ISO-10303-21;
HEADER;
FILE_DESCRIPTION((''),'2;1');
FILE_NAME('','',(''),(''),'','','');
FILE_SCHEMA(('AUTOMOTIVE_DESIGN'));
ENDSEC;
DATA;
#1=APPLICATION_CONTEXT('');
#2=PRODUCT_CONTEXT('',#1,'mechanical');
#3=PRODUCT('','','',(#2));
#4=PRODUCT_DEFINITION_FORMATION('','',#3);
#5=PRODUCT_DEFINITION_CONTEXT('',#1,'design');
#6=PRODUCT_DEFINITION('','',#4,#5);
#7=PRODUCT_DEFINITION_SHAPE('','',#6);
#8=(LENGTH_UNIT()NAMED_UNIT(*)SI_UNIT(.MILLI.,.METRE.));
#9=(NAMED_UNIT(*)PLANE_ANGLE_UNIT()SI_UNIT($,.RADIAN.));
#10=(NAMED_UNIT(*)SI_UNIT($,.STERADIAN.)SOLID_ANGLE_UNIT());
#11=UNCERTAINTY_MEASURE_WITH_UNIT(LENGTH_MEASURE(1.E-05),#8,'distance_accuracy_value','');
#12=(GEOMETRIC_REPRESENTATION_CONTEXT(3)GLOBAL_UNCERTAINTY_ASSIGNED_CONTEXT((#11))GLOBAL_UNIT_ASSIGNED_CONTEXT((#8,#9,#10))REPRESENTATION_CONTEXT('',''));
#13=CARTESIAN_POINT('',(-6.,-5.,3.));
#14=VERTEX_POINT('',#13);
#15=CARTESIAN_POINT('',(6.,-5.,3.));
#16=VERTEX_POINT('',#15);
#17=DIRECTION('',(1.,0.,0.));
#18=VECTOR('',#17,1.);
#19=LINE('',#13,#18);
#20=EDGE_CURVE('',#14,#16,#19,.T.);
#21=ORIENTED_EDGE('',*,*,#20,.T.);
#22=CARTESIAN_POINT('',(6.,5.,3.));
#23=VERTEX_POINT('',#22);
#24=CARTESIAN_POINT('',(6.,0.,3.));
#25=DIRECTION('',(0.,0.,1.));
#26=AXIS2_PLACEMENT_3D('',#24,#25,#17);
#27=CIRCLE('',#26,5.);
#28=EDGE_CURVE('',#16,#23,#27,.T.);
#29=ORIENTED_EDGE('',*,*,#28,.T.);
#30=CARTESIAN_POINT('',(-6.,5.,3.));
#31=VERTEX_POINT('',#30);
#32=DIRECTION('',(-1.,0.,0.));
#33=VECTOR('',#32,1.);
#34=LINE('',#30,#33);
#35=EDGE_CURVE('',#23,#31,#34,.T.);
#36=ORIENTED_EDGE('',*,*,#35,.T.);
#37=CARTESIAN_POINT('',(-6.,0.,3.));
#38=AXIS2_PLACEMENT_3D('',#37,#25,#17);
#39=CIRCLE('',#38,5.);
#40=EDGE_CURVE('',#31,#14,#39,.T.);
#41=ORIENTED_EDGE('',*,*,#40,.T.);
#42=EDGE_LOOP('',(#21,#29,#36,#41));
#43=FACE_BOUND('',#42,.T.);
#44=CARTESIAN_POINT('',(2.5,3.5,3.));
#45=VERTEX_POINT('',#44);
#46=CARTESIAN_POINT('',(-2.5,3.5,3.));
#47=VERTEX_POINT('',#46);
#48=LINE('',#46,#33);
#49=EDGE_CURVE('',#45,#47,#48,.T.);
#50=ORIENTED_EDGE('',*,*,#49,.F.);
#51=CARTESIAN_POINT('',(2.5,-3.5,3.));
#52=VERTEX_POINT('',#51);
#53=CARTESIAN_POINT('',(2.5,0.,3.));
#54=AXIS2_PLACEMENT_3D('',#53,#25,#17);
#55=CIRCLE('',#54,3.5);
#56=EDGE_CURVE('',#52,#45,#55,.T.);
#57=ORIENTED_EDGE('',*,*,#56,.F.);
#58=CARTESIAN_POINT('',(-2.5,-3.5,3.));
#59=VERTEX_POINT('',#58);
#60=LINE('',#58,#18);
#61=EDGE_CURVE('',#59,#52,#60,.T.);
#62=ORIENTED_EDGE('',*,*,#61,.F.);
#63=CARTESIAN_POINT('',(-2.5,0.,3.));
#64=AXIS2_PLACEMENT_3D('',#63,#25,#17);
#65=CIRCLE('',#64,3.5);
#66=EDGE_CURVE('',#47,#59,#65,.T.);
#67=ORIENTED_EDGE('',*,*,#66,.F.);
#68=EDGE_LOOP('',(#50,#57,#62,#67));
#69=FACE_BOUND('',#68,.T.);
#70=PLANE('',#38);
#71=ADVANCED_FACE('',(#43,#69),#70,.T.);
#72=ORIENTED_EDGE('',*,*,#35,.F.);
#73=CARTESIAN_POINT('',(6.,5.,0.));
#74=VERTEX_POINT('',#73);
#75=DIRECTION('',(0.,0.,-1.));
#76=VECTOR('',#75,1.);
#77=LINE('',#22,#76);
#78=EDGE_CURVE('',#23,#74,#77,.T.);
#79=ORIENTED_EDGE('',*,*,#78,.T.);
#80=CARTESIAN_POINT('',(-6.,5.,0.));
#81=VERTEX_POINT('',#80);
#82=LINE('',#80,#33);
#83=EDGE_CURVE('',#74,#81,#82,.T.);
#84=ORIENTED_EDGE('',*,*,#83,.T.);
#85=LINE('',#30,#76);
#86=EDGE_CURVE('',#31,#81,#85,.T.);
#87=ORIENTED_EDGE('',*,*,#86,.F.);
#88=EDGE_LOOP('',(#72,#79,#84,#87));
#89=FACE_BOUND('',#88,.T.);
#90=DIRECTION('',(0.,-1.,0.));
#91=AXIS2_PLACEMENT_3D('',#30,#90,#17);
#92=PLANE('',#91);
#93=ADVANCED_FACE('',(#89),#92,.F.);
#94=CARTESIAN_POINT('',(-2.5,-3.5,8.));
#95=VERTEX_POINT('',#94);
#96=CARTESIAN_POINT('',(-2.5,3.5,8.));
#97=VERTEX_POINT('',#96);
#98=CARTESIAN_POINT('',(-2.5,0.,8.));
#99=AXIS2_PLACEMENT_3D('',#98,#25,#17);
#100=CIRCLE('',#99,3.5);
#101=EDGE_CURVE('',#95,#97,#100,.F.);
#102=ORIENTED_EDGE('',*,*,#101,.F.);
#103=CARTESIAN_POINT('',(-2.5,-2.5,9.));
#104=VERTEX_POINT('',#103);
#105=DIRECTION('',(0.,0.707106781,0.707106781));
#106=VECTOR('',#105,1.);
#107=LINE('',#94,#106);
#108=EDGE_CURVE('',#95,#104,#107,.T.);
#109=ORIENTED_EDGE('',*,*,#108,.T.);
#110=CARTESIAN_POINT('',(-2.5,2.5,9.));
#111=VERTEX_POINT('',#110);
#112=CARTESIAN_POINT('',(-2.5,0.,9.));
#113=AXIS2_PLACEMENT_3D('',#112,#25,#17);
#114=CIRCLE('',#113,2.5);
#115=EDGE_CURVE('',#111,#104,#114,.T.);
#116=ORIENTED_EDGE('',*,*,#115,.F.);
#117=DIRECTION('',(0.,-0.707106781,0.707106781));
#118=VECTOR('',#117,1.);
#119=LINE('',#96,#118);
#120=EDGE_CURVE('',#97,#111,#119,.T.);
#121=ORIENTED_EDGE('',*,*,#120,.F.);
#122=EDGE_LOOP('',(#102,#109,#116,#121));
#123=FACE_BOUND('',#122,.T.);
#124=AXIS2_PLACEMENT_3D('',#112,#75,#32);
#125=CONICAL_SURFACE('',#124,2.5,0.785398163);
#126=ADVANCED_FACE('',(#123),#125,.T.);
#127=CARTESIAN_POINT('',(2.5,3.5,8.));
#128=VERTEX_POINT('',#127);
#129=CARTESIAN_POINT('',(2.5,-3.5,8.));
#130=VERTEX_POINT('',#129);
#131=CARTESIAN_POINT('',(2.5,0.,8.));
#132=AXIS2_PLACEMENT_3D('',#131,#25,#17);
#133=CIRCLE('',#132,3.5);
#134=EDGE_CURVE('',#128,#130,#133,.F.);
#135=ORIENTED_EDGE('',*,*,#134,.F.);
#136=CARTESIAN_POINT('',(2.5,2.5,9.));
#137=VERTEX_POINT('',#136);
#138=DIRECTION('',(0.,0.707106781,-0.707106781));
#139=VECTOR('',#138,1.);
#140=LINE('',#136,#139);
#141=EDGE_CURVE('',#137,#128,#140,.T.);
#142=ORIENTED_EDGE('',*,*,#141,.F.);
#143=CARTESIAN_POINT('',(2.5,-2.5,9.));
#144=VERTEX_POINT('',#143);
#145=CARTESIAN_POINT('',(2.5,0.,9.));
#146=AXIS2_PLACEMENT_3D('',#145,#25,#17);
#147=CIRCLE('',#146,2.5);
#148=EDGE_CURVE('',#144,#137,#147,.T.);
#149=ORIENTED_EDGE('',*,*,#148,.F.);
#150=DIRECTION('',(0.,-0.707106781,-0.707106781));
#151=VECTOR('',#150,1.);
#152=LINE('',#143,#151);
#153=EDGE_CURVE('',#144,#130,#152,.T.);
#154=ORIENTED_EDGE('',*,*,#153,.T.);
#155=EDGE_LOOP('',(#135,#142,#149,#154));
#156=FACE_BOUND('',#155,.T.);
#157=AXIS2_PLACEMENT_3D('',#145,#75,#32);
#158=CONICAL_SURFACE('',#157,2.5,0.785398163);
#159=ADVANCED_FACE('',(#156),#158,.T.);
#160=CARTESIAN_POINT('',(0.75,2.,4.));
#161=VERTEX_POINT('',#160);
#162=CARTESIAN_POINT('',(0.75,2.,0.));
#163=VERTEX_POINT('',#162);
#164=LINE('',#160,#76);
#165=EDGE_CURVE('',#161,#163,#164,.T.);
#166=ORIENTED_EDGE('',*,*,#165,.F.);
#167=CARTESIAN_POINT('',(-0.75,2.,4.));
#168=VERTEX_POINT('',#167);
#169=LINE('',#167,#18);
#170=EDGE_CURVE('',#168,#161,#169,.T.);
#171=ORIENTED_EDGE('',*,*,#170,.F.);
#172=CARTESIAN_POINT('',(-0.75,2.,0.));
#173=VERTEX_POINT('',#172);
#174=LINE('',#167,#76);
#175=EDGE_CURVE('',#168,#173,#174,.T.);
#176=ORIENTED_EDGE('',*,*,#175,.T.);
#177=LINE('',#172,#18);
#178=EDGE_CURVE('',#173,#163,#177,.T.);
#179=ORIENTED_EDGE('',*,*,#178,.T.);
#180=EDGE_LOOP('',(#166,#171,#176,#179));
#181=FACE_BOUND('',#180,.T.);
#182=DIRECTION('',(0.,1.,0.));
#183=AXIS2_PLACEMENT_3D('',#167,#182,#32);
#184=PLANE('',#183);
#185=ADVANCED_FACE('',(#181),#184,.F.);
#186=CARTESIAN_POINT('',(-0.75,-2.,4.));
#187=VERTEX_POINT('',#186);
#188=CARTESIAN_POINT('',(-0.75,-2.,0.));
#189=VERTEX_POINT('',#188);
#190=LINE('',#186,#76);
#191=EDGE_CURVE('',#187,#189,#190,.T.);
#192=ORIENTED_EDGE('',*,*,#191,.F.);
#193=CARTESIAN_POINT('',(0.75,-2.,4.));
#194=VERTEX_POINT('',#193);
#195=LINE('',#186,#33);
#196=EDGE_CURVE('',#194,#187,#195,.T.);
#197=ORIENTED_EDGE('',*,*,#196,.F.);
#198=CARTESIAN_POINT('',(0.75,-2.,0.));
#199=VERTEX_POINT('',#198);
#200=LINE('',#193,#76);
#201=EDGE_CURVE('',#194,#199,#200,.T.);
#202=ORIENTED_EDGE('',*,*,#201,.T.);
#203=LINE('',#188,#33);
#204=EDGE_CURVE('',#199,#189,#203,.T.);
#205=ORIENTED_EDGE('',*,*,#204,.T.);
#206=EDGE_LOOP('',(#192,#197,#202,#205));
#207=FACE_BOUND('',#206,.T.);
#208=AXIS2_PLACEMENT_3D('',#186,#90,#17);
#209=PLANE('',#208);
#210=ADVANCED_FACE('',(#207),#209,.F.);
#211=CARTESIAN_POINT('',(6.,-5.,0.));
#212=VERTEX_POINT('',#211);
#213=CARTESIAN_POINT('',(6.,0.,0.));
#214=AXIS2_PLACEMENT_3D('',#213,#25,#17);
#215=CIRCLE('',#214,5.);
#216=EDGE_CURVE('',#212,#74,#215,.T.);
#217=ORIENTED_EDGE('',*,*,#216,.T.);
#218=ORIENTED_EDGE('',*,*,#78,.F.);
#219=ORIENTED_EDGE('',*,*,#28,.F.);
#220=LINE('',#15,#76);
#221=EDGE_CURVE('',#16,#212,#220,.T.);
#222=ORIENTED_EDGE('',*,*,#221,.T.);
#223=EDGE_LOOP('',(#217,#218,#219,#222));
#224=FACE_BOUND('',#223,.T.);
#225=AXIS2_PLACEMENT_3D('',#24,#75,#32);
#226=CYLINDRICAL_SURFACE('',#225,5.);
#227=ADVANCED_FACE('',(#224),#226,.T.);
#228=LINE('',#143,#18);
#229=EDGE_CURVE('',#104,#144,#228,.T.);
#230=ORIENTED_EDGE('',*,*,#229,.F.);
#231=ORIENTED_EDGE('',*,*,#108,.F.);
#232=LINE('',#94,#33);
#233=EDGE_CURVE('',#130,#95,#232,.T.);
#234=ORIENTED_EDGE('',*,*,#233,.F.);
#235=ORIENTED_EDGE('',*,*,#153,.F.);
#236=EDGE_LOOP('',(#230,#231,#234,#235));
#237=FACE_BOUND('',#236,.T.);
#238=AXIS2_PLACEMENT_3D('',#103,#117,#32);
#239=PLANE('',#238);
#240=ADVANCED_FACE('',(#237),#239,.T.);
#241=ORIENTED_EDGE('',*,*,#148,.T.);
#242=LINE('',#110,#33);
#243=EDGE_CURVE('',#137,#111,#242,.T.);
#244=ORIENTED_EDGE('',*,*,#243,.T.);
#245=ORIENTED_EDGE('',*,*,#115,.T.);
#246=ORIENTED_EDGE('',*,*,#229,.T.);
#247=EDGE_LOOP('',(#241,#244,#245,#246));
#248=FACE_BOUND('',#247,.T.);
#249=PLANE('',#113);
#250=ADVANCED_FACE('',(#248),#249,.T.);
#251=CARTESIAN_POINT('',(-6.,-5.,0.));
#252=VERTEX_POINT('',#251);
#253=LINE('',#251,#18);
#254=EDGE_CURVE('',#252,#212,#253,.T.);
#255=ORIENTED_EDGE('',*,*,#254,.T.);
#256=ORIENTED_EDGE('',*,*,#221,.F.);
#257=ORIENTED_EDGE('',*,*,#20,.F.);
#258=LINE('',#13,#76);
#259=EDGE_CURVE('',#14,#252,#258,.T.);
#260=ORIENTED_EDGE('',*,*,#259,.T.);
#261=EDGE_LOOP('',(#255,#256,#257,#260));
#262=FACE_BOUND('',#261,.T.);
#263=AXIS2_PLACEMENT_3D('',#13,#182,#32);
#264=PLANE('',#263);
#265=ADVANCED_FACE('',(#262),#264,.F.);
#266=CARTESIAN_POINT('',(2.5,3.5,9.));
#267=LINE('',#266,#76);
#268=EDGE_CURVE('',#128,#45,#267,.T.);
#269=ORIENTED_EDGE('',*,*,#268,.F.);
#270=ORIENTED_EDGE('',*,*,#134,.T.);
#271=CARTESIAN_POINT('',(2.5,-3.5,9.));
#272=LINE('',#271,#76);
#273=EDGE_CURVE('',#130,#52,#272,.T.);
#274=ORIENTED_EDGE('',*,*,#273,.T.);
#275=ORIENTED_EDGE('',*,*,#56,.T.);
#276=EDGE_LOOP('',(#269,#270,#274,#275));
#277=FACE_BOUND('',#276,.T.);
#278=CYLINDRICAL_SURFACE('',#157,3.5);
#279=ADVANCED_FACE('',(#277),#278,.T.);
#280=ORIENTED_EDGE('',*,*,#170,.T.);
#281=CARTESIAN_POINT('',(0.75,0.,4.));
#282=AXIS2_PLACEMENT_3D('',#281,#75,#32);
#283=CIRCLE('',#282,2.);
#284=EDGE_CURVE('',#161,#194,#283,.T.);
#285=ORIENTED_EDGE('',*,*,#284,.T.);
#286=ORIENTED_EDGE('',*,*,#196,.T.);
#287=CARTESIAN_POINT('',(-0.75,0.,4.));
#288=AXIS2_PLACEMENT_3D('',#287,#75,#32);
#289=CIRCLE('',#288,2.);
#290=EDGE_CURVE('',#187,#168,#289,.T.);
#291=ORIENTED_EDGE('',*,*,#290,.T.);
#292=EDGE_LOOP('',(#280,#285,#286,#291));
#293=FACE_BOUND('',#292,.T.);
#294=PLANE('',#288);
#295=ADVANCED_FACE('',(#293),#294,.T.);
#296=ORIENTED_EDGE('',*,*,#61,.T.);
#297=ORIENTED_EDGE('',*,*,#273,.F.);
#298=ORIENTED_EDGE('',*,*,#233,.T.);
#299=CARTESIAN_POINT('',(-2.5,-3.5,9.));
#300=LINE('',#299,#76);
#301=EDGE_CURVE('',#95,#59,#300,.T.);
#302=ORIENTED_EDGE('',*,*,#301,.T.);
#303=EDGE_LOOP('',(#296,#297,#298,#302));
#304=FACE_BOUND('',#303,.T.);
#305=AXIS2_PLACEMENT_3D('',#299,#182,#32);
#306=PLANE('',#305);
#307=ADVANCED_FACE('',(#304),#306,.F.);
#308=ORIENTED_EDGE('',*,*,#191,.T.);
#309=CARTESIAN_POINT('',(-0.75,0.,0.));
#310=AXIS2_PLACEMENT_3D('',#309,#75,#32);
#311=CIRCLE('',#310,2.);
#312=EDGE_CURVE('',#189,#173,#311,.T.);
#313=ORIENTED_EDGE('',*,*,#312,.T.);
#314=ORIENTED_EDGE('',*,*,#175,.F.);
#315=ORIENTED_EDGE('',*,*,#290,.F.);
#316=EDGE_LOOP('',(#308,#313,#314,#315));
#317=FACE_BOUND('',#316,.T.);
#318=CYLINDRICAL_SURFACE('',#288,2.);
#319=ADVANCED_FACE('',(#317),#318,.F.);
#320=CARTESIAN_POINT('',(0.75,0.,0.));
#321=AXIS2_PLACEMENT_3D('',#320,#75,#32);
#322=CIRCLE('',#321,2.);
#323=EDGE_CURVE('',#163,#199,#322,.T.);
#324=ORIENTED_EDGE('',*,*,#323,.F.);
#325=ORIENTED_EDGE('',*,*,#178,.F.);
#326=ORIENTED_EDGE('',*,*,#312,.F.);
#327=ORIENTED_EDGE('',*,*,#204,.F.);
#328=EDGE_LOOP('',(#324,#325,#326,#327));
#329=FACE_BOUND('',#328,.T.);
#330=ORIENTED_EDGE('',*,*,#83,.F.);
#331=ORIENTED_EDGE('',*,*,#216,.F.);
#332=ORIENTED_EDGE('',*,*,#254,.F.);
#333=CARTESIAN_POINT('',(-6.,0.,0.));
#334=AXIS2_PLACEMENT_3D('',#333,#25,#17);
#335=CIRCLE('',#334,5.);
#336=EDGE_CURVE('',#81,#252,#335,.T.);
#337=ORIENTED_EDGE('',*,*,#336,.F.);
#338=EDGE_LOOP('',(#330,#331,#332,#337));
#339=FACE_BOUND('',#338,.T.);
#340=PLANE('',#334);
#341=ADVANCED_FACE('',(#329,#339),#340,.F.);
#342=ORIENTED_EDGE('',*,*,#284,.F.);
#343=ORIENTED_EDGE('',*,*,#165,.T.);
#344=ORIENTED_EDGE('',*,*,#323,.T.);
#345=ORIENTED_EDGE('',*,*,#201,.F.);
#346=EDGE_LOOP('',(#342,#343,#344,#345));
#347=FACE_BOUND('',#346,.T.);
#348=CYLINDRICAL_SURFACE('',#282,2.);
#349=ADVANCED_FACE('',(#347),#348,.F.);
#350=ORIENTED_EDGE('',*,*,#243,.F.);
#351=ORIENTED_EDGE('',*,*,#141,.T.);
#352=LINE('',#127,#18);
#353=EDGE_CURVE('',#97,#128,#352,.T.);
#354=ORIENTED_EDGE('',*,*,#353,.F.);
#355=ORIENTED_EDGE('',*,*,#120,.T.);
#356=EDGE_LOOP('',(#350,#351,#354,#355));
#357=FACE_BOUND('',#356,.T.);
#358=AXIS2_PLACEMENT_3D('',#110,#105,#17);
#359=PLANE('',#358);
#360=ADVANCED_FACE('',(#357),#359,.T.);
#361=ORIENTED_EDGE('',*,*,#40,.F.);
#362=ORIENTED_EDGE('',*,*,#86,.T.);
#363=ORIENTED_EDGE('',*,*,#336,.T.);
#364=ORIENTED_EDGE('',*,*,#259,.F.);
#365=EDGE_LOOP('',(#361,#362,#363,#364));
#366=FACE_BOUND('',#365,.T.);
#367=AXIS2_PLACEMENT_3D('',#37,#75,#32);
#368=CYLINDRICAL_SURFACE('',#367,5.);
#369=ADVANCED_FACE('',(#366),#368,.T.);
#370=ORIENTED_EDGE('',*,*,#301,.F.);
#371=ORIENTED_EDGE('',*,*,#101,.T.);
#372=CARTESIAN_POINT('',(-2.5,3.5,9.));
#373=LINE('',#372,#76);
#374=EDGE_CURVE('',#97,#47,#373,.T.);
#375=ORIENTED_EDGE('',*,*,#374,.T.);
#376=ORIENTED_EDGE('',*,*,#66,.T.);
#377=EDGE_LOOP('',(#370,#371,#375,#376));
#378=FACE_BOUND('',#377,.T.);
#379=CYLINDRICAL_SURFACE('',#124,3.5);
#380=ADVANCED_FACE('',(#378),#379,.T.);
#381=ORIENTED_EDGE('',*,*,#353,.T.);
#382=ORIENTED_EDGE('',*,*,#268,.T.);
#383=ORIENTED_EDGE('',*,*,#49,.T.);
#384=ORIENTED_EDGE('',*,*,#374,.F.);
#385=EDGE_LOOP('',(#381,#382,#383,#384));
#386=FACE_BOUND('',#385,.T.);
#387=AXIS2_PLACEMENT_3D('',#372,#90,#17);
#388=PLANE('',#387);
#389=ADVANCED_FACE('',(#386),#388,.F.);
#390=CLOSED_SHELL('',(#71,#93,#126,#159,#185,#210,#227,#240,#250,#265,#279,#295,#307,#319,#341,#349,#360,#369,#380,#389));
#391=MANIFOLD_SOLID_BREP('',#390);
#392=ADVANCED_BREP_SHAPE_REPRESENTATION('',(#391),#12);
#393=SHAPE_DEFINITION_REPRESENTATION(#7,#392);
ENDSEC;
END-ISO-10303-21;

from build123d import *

# Parameters (mm, degrees)
EXTRUDE_1_DEPTH     = 3
EXTRUDE_2_DEPTH     = 6
CUT_EXTRUDE_1_DEPTH = 4
CHAMFER_1_SIZE      = 1


with BuildPart() as part:
    # Эскиз1 → Бобышка-Вытянуть1 (new body)
    with BuildSketch(Plane.XY):
        with BuildLine():
            Line((-6, 5), (6, 5))
            ThreePointArc((6, 5), (11, 0), (6, -5))
            Line((6, -5), (-6, -5))
            ThreePointArc((-6, -5), (-11, 0), (-6, 5))
        make_face()
    extrude(amount=EXTRUDE_1_DEPTH)

    # Эскиз2 → Бобышка-Вытянуть2 (add)
    with BuildSketch(Plane.XY.offset(3)):
        with BuildLine():
            Line((-2.5, 3.5), (2.5, 3.5))
            ThreePointArc((2.5, 3.5), (6, 0), (2.5, -3.5))
            Line((2.5, -3.5), (-2.5, -3.5))
            ThreePointArc((-2.5, -3.5), (-6, 0), (-2.5, 3.5))
        make_face()
    extrude(amount=EXTRUDE_2_DEPTH)

    # Эскиз3 → Вырез-Вытянуть1 (cut)
    with BuildSketch(Plane(origin=(0, 0, 0), x_dir=(-1, 0, 0), z_dir=(0, 0, -1))):
        with BuildLine():
            Line((0.75, -2), (-0.75, -2))
            ThreePointArc((-0.75, -2), (-2.75, 0), (-0.75, 2))
            Line((-0.75, 2), (0.75, 2))
            ThreePointArc((0.75, 2), (2.75, 0), (0.75, -2))
        make_face()
    extrude(amount=-CUT_EXTRUDE_1_DEPTH, mode=Mode.SUBTRACT)

    # Фаска1
    chamfer_1_edges = [part.edges().sort_by_distance(p)[0] for p in [
        (-6, 0, 9),
        (0, -3.5, 9),
        (6, 0, 9),
        (0, 3.5, 9),
    ]]
    chamfer(chamfer_1_edges, length=CHAMFER_1_SIZE)


solid = part.part
